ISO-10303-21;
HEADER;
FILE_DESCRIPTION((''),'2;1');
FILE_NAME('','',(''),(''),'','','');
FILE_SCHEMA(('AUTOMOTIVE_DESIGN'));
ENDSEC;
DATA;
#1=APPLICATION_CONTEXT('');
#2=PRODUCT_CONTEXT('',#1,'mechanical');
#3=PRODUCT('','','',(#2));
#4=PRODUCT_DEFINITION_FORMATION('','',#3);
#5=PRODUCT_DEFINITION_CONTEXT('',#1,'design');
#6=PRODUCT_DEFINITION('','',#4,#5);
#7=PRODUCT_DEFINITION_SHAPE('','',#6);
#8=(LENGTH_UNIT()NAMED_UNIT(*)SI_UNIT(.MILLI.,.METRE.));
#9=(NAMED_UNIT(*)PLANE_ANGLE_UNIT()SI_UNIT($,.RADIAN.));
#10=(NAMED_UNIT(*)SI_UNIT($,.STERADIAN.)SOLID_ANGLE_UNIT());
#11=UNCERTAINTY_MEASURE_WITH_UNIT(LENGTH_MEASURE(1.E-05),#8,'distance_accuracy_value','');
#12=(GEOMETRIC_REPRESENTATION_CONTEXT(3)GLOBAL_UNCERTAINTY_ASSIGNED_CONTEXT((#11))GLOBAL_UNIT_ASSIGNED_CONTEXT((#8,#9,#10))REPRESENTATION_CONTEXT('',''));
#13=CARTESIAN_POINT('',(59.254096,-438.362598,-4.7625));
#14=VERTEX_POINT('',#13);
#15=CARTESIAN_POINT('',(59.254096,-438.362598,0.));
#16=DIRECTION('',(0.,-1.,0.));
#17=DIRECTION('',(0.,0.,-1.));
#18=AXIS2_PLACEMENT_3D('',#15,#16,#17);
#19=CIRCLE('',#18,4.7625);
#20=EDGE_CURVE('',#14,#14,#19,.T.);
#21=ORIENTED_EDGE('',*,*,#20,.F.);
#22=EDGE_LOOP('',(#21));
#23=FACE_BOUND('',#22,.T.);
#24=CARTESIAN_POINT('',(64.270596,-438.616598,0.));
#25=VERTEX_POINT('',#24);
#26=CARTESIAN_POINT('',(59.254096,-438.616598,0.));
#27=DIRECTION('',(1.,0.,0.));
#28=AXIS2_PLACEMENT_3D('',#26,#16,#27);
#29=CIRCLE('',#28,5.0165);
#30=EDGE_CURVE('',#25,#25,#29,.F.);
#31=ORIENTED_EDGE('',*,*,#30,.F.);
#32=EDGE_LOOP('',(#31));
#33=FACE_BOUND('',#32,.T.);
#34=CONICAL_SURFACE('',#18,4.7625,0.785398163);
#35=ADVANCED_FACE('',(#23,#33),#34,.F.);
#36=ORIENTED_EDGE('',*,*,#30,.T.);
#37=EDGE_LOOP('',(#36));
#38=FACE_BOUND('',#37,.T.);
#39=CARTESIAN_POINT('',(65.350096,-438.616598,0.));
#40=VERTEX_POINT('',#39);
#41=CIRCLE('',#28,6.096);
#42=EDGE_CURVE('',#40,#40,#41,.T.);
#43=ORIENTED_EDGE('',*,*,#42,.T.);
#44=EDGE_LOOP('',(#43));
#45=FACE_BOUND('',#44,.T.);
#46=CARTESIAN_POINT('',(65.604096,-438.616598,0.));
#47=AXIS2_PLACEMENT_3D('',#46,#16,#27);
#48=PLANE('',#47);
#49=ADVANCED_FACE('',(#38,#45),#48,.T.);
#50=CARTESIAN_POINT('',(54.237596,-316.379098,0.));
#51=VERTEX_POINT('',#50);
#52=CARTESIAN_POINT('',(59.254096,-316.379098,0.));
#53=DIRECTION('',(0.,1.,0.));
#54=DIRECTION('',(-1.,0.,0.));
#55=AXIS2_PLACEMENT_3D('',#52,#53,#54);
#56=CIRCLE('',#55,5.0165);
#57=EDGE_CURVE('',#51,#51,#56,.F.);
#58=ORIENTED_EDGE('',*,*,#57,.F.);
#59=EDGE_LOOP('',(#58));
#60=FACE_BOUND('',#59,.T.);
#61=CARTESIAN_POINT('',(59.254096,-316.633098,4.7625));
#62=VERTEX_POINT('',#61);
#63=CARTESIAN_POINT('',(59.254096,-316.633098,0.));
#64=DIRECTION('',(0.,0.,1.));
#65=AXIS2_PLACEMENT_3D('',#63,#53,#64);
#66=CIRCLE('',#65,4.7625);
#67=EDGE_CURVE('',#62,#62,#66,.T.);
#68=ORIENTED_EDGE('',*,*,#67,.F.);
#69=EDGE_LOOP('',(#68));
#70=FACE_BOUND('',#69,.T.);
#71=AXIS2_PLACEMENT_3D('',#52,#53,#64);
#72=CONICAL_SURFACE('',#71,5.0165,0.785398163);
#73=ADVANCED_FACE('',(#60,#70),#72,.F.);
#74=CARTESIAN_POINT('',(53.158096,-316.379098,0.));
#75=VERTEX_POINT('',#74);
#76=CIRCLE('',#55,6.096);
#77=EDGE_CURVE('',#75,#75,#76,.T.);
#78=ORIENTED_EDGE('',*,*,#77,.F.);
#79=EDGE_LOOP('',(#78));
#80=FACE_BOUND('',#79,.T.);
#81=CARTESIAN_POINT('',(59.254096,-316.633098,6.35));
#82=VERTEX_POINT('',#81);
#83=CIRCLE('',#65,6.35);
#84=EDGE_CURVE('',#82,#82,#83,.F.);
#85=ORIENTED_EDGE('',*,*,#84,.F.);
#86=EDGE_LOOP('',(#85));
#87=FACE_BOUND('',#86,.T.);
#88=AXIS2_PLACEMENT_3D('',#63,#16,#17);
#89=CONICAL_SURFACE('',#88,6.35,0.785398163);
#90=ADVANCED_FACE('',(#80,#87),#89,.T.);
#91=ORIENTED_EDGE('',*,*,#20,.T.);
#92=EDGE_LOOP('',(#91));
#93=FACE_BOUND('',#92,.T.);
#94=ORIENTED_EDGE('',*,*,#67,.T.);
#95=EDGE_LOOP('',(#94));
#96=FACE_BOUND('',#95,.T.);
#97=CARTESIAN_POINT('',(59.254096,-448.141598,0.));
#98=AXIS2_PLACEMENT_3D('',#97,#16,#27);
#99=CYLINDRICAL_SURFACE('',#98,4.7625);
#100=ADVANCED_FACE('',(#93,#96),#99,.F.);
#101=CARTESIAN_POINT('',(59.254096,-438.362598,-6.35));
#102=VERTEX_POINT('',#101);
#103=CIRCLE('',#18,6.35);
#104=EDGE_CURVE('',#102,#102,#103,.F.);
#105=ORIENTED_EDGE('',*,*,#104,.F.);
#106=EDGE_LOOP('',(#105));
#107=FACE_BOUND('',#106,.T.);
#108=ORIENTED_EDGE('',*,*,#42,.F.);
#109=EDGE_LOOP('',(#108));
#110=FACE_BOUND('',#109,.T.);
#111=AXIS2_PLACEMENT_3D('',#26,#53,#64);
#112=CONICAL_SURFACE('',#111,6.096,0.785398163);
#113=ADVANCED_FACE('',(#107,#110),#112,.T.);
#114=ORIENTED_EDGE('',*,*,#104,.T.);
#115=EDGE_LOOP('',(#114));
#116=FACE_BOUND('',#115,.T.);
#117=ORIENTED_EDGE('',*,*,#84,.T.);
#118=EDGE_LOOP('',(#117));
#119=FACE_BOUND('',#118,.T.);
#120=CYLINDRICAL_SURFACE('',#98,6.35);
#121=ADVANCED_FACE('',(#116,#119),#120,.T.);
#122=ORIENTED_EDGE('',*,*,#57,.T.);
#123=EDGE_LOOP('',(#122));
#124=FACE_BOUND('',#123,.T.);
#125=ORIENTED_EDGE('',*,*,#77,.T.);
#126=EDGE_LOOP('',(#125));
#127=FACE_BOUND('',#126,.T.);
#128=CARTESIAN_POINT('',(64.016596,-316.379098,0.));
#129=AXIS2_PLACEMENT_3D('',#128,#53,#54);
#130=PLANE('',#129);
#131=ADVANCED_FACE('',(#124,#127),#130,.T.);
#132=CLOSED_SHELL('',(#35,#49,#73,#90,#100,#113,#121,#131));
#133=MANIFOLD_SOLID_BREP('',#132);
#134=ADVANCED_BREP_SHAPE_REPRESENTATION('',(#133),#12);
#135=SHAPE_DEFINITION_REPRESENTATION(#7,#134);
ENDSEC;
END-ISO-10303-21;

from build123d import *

# Parameters (mm, degrees)
SKETCH1_W     = 1.5875
SKETCH1_H     = 122.2375
CHAMFER1_SIZE = 0.254


with BuildPart() as part:
    # Sketch1 → Revolve1 (revolve)
    with BuildSketch(Plane.XY):
        with Locations((64.810346068, -377.497848385)):
            Rectangle(SKETCH1_W, SKETCH1_H)
    revolve(axis=Axis((59.254096068, -448.141598385, 0), (0, 1, 0)))

    # Chamfer1
    chamfer1_edges = [part.edges().sort_by_distance(p)[0] for p in [
        (52.904096068, -438.616598385, 0),
        (52.904096068, -316.379098385, 0),
        (54.491596068, -316.379098385, 0),
        (54.491596068, -438.616598385, 0),
    ]]
    chamfer(chamfer1_edges, length=CHAMFER1_SIZE)


solid = part.part
